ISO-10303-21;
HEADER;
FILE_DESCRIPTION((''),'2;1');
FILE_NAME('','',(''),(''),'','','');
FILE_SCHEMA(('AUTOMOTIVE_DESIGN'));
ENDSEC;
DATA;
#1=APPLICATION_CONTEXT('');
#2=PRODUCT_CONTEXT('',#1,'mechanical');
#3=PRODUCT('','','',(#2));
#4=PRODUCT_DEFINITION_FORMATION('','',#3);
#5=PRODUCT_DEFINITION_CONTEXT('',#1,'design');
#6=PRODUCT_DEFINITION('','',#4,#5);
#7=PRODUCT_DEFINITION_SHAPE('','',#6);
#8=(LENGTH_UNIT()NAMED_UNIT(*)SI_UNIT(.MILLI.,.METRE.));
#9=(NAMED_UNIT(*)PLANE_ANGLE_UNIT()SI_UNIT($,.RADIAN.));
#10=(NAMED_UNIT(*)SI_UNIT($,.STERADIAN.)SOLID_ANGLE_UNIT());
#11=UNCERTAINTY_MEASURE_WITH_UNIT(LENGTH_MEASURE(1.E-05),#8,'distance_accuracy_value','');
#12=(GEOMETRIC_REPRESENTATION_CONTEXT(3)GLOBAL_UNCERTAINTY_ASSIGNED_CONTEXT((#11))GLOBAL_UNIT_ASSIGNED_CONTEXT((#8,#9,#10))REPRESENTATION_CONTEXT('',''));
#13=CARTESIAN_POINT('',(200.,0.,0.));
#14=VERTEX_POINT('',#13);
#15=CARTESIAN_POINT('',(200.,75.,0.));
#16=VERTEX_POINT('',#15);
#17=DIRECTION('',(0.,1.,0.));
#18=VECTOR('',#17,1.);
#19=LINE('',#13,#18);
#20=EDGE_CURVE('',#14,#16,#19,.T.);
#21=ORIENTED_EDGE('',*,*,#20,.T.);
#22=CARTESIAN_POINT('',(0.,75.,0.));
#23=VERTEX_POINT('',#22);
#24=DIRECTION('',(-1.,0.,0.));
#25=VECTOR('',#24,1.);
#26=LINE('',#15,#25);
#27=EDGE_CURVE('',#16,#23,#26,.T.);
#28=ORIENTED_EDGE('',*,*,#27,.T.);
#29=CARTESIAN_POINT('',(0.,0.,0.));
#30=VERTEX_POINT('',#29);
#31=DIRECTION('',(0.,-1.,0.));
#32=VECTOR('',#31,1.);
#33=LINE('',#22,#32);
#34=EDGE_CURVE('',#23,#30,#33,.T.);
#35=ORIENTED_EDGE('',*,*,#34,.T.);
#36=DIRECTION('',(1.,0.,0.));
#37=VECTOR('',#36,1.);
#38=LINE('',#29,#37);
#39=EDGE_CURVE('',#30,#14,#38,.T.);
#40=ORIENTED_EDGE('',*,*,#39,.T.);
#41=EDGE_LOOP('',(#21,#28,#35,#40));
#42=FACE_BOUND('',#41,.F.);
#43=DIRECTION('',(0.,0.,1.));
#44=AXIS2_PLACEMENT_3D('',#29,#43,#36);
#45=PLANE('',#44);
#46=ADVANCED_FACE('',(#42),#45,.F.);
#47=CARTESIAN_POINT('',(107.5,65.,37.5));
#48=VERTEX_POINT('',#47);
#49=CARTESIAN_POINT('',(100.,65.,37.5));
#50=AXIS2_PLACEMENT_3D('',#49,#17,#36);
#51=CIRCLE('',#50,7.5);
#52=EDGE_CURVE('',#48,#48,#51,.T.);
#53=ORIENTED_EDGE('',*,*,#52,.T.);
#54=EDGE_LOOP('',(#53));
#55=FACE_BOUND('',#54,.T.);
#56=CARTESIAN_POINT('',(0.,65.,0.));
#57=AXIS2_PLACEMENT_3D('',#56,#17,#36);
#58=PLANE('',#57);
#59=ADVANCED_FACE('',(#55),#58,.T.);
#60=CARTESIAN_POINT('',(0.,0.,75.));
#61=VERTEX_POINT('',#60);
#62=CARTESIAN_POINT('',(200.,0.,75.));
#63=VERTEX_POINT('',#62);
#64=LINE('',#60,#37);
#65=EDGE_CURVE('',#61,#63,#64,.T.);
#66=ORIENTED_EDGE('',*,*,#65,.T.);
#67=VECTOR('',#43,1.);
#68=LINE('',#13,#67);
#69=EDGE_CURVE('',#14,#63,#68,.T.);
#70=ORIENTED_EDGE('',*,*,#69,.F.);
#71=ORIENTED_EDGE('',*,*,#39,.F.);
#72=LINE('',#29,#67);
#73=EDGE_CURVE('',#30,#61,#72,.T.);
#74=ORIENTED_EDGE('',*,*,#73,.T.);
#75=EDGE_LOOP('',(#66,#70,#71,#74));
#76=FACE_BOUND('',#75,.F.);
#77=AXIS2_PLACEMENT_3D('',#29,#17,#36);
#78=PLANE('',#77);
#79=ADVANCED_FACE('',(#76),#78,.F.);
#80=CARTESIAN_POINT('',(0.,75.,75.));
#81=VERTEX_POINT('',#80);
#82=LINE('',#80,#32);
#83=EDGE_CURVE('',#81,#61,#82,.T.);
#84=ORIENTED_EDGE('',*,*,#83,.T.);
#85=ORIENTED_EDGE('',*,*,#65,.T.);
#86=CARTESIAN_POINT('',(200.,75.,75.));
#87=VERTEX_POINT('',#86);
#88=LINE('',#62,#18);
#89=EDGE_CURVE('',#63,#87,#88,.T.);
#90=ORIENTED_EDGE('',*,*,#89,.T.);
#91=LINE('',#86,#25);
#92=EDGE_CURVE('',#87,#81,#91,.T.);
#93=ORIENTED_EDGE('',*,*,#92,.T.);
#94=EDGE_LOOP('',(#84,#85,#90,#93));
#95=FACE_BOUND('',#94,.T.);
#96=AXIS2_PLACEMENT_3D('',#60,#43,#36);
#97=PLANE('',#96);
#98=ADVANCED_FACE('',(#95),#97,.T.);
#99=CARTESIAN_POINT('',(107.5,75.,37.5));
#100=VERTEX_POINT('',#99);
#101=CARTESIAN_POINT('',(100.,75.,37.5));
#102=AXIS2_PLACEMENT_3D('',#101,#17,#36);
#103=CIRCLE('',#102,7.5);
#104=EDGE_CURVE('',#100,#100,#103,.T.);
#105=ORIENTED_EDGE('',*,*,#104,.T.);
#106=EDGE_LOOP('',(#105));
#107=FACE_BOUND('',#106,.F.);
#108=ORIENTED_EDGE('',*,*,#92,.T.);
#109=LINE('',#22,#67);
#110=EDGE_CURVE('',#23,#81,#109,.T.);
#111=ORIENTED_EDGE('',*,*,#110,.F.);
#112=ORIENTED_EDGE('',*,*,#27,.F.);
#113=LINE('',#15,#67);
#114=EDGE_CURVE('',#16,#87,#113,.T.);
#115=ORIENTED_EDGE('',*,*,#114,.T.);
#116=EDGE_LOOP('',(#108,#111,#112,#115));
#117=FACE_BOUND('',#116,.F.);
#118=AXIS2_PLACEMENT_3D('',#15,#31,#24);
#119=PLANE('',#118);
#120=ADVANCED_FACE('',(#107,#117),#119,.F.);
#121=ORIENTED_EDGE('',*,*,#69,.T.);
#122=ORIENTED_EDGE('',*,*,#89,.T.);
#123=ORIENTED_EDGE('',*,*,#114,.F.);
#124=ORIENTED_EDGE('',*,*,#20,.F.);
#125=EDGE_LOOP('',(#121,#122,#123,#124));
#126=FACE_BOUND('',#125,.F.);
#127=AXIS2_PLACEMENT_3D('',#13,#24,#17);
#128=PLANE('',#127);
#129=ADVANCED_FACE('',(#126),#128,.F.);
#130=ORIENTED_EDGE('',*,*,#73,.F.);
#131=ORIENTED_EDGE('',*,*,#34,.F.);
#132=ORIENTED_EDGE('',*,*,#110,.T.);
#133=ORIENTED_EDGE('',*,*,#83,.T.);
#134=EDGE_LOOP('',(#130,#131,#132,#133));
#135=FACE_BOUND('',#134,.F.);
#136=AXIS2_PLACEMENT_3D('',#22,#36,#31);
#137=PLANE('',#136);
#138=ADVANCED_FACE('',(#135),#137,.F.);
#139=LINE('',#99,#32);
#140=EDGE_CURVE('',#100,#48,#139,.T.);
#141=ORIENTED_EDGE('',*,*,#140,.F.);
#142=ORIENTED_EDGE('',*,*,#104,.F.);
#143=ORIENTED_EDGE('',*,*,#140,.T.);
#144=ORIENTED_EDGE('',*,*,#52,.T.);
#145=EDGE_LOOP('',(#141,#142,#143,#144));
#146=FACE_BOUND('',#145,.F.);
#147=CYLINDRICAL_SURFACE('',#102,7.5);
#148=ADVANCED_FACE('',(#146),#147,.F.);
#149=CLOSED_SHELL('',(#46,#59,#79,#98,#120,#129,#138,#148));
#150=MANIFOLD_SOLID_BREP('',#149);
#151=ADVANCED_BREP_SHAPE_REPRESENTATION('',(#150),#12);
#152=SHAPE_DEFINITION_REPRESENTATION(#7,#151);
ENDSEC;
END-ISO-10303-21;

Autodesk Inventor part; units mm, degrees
ref_plane "YZ Plane" through (0, 0, 0) normal (1, 0, 0) x (0, 1, 0)
ref_plane "XZ Plane" through (0, 0, 0) normal (0, 1, 0) x (-1, 0, 0)
ref_plane "XY Plane" through (0, 0, 0) normal (0, 0, 1) x (1, 0, 0)
sketch "Sketch1" plane through (0, 0, 0) normal (0, 0, 1) x (1, 0, 0)
  line L0 (0, 0) -> (200, 0)
  line L1 (200, 0) -> (200, 75)
  line L2 (200, 75) -> (0, 75)
  line L3 (0, 75) -> (0, 0)
  dimension "d0" = 200
  dimension "d1" = 75
extrude "Extrusion1" add sketch "Sketch1" along normal blind 75
sketch "Sketch2" plane through (0, 75, 0) normal (0, 1, 0) x (1, 0, 0)
  circle A0 centre (100, -37.5) radius 7.5
  point P0 (0, 0)
  dimension "d4" = 15
extrude "Extrusion2" cut sketch "Sketch2" against normal blind 10
properties part number "End-Effector"
